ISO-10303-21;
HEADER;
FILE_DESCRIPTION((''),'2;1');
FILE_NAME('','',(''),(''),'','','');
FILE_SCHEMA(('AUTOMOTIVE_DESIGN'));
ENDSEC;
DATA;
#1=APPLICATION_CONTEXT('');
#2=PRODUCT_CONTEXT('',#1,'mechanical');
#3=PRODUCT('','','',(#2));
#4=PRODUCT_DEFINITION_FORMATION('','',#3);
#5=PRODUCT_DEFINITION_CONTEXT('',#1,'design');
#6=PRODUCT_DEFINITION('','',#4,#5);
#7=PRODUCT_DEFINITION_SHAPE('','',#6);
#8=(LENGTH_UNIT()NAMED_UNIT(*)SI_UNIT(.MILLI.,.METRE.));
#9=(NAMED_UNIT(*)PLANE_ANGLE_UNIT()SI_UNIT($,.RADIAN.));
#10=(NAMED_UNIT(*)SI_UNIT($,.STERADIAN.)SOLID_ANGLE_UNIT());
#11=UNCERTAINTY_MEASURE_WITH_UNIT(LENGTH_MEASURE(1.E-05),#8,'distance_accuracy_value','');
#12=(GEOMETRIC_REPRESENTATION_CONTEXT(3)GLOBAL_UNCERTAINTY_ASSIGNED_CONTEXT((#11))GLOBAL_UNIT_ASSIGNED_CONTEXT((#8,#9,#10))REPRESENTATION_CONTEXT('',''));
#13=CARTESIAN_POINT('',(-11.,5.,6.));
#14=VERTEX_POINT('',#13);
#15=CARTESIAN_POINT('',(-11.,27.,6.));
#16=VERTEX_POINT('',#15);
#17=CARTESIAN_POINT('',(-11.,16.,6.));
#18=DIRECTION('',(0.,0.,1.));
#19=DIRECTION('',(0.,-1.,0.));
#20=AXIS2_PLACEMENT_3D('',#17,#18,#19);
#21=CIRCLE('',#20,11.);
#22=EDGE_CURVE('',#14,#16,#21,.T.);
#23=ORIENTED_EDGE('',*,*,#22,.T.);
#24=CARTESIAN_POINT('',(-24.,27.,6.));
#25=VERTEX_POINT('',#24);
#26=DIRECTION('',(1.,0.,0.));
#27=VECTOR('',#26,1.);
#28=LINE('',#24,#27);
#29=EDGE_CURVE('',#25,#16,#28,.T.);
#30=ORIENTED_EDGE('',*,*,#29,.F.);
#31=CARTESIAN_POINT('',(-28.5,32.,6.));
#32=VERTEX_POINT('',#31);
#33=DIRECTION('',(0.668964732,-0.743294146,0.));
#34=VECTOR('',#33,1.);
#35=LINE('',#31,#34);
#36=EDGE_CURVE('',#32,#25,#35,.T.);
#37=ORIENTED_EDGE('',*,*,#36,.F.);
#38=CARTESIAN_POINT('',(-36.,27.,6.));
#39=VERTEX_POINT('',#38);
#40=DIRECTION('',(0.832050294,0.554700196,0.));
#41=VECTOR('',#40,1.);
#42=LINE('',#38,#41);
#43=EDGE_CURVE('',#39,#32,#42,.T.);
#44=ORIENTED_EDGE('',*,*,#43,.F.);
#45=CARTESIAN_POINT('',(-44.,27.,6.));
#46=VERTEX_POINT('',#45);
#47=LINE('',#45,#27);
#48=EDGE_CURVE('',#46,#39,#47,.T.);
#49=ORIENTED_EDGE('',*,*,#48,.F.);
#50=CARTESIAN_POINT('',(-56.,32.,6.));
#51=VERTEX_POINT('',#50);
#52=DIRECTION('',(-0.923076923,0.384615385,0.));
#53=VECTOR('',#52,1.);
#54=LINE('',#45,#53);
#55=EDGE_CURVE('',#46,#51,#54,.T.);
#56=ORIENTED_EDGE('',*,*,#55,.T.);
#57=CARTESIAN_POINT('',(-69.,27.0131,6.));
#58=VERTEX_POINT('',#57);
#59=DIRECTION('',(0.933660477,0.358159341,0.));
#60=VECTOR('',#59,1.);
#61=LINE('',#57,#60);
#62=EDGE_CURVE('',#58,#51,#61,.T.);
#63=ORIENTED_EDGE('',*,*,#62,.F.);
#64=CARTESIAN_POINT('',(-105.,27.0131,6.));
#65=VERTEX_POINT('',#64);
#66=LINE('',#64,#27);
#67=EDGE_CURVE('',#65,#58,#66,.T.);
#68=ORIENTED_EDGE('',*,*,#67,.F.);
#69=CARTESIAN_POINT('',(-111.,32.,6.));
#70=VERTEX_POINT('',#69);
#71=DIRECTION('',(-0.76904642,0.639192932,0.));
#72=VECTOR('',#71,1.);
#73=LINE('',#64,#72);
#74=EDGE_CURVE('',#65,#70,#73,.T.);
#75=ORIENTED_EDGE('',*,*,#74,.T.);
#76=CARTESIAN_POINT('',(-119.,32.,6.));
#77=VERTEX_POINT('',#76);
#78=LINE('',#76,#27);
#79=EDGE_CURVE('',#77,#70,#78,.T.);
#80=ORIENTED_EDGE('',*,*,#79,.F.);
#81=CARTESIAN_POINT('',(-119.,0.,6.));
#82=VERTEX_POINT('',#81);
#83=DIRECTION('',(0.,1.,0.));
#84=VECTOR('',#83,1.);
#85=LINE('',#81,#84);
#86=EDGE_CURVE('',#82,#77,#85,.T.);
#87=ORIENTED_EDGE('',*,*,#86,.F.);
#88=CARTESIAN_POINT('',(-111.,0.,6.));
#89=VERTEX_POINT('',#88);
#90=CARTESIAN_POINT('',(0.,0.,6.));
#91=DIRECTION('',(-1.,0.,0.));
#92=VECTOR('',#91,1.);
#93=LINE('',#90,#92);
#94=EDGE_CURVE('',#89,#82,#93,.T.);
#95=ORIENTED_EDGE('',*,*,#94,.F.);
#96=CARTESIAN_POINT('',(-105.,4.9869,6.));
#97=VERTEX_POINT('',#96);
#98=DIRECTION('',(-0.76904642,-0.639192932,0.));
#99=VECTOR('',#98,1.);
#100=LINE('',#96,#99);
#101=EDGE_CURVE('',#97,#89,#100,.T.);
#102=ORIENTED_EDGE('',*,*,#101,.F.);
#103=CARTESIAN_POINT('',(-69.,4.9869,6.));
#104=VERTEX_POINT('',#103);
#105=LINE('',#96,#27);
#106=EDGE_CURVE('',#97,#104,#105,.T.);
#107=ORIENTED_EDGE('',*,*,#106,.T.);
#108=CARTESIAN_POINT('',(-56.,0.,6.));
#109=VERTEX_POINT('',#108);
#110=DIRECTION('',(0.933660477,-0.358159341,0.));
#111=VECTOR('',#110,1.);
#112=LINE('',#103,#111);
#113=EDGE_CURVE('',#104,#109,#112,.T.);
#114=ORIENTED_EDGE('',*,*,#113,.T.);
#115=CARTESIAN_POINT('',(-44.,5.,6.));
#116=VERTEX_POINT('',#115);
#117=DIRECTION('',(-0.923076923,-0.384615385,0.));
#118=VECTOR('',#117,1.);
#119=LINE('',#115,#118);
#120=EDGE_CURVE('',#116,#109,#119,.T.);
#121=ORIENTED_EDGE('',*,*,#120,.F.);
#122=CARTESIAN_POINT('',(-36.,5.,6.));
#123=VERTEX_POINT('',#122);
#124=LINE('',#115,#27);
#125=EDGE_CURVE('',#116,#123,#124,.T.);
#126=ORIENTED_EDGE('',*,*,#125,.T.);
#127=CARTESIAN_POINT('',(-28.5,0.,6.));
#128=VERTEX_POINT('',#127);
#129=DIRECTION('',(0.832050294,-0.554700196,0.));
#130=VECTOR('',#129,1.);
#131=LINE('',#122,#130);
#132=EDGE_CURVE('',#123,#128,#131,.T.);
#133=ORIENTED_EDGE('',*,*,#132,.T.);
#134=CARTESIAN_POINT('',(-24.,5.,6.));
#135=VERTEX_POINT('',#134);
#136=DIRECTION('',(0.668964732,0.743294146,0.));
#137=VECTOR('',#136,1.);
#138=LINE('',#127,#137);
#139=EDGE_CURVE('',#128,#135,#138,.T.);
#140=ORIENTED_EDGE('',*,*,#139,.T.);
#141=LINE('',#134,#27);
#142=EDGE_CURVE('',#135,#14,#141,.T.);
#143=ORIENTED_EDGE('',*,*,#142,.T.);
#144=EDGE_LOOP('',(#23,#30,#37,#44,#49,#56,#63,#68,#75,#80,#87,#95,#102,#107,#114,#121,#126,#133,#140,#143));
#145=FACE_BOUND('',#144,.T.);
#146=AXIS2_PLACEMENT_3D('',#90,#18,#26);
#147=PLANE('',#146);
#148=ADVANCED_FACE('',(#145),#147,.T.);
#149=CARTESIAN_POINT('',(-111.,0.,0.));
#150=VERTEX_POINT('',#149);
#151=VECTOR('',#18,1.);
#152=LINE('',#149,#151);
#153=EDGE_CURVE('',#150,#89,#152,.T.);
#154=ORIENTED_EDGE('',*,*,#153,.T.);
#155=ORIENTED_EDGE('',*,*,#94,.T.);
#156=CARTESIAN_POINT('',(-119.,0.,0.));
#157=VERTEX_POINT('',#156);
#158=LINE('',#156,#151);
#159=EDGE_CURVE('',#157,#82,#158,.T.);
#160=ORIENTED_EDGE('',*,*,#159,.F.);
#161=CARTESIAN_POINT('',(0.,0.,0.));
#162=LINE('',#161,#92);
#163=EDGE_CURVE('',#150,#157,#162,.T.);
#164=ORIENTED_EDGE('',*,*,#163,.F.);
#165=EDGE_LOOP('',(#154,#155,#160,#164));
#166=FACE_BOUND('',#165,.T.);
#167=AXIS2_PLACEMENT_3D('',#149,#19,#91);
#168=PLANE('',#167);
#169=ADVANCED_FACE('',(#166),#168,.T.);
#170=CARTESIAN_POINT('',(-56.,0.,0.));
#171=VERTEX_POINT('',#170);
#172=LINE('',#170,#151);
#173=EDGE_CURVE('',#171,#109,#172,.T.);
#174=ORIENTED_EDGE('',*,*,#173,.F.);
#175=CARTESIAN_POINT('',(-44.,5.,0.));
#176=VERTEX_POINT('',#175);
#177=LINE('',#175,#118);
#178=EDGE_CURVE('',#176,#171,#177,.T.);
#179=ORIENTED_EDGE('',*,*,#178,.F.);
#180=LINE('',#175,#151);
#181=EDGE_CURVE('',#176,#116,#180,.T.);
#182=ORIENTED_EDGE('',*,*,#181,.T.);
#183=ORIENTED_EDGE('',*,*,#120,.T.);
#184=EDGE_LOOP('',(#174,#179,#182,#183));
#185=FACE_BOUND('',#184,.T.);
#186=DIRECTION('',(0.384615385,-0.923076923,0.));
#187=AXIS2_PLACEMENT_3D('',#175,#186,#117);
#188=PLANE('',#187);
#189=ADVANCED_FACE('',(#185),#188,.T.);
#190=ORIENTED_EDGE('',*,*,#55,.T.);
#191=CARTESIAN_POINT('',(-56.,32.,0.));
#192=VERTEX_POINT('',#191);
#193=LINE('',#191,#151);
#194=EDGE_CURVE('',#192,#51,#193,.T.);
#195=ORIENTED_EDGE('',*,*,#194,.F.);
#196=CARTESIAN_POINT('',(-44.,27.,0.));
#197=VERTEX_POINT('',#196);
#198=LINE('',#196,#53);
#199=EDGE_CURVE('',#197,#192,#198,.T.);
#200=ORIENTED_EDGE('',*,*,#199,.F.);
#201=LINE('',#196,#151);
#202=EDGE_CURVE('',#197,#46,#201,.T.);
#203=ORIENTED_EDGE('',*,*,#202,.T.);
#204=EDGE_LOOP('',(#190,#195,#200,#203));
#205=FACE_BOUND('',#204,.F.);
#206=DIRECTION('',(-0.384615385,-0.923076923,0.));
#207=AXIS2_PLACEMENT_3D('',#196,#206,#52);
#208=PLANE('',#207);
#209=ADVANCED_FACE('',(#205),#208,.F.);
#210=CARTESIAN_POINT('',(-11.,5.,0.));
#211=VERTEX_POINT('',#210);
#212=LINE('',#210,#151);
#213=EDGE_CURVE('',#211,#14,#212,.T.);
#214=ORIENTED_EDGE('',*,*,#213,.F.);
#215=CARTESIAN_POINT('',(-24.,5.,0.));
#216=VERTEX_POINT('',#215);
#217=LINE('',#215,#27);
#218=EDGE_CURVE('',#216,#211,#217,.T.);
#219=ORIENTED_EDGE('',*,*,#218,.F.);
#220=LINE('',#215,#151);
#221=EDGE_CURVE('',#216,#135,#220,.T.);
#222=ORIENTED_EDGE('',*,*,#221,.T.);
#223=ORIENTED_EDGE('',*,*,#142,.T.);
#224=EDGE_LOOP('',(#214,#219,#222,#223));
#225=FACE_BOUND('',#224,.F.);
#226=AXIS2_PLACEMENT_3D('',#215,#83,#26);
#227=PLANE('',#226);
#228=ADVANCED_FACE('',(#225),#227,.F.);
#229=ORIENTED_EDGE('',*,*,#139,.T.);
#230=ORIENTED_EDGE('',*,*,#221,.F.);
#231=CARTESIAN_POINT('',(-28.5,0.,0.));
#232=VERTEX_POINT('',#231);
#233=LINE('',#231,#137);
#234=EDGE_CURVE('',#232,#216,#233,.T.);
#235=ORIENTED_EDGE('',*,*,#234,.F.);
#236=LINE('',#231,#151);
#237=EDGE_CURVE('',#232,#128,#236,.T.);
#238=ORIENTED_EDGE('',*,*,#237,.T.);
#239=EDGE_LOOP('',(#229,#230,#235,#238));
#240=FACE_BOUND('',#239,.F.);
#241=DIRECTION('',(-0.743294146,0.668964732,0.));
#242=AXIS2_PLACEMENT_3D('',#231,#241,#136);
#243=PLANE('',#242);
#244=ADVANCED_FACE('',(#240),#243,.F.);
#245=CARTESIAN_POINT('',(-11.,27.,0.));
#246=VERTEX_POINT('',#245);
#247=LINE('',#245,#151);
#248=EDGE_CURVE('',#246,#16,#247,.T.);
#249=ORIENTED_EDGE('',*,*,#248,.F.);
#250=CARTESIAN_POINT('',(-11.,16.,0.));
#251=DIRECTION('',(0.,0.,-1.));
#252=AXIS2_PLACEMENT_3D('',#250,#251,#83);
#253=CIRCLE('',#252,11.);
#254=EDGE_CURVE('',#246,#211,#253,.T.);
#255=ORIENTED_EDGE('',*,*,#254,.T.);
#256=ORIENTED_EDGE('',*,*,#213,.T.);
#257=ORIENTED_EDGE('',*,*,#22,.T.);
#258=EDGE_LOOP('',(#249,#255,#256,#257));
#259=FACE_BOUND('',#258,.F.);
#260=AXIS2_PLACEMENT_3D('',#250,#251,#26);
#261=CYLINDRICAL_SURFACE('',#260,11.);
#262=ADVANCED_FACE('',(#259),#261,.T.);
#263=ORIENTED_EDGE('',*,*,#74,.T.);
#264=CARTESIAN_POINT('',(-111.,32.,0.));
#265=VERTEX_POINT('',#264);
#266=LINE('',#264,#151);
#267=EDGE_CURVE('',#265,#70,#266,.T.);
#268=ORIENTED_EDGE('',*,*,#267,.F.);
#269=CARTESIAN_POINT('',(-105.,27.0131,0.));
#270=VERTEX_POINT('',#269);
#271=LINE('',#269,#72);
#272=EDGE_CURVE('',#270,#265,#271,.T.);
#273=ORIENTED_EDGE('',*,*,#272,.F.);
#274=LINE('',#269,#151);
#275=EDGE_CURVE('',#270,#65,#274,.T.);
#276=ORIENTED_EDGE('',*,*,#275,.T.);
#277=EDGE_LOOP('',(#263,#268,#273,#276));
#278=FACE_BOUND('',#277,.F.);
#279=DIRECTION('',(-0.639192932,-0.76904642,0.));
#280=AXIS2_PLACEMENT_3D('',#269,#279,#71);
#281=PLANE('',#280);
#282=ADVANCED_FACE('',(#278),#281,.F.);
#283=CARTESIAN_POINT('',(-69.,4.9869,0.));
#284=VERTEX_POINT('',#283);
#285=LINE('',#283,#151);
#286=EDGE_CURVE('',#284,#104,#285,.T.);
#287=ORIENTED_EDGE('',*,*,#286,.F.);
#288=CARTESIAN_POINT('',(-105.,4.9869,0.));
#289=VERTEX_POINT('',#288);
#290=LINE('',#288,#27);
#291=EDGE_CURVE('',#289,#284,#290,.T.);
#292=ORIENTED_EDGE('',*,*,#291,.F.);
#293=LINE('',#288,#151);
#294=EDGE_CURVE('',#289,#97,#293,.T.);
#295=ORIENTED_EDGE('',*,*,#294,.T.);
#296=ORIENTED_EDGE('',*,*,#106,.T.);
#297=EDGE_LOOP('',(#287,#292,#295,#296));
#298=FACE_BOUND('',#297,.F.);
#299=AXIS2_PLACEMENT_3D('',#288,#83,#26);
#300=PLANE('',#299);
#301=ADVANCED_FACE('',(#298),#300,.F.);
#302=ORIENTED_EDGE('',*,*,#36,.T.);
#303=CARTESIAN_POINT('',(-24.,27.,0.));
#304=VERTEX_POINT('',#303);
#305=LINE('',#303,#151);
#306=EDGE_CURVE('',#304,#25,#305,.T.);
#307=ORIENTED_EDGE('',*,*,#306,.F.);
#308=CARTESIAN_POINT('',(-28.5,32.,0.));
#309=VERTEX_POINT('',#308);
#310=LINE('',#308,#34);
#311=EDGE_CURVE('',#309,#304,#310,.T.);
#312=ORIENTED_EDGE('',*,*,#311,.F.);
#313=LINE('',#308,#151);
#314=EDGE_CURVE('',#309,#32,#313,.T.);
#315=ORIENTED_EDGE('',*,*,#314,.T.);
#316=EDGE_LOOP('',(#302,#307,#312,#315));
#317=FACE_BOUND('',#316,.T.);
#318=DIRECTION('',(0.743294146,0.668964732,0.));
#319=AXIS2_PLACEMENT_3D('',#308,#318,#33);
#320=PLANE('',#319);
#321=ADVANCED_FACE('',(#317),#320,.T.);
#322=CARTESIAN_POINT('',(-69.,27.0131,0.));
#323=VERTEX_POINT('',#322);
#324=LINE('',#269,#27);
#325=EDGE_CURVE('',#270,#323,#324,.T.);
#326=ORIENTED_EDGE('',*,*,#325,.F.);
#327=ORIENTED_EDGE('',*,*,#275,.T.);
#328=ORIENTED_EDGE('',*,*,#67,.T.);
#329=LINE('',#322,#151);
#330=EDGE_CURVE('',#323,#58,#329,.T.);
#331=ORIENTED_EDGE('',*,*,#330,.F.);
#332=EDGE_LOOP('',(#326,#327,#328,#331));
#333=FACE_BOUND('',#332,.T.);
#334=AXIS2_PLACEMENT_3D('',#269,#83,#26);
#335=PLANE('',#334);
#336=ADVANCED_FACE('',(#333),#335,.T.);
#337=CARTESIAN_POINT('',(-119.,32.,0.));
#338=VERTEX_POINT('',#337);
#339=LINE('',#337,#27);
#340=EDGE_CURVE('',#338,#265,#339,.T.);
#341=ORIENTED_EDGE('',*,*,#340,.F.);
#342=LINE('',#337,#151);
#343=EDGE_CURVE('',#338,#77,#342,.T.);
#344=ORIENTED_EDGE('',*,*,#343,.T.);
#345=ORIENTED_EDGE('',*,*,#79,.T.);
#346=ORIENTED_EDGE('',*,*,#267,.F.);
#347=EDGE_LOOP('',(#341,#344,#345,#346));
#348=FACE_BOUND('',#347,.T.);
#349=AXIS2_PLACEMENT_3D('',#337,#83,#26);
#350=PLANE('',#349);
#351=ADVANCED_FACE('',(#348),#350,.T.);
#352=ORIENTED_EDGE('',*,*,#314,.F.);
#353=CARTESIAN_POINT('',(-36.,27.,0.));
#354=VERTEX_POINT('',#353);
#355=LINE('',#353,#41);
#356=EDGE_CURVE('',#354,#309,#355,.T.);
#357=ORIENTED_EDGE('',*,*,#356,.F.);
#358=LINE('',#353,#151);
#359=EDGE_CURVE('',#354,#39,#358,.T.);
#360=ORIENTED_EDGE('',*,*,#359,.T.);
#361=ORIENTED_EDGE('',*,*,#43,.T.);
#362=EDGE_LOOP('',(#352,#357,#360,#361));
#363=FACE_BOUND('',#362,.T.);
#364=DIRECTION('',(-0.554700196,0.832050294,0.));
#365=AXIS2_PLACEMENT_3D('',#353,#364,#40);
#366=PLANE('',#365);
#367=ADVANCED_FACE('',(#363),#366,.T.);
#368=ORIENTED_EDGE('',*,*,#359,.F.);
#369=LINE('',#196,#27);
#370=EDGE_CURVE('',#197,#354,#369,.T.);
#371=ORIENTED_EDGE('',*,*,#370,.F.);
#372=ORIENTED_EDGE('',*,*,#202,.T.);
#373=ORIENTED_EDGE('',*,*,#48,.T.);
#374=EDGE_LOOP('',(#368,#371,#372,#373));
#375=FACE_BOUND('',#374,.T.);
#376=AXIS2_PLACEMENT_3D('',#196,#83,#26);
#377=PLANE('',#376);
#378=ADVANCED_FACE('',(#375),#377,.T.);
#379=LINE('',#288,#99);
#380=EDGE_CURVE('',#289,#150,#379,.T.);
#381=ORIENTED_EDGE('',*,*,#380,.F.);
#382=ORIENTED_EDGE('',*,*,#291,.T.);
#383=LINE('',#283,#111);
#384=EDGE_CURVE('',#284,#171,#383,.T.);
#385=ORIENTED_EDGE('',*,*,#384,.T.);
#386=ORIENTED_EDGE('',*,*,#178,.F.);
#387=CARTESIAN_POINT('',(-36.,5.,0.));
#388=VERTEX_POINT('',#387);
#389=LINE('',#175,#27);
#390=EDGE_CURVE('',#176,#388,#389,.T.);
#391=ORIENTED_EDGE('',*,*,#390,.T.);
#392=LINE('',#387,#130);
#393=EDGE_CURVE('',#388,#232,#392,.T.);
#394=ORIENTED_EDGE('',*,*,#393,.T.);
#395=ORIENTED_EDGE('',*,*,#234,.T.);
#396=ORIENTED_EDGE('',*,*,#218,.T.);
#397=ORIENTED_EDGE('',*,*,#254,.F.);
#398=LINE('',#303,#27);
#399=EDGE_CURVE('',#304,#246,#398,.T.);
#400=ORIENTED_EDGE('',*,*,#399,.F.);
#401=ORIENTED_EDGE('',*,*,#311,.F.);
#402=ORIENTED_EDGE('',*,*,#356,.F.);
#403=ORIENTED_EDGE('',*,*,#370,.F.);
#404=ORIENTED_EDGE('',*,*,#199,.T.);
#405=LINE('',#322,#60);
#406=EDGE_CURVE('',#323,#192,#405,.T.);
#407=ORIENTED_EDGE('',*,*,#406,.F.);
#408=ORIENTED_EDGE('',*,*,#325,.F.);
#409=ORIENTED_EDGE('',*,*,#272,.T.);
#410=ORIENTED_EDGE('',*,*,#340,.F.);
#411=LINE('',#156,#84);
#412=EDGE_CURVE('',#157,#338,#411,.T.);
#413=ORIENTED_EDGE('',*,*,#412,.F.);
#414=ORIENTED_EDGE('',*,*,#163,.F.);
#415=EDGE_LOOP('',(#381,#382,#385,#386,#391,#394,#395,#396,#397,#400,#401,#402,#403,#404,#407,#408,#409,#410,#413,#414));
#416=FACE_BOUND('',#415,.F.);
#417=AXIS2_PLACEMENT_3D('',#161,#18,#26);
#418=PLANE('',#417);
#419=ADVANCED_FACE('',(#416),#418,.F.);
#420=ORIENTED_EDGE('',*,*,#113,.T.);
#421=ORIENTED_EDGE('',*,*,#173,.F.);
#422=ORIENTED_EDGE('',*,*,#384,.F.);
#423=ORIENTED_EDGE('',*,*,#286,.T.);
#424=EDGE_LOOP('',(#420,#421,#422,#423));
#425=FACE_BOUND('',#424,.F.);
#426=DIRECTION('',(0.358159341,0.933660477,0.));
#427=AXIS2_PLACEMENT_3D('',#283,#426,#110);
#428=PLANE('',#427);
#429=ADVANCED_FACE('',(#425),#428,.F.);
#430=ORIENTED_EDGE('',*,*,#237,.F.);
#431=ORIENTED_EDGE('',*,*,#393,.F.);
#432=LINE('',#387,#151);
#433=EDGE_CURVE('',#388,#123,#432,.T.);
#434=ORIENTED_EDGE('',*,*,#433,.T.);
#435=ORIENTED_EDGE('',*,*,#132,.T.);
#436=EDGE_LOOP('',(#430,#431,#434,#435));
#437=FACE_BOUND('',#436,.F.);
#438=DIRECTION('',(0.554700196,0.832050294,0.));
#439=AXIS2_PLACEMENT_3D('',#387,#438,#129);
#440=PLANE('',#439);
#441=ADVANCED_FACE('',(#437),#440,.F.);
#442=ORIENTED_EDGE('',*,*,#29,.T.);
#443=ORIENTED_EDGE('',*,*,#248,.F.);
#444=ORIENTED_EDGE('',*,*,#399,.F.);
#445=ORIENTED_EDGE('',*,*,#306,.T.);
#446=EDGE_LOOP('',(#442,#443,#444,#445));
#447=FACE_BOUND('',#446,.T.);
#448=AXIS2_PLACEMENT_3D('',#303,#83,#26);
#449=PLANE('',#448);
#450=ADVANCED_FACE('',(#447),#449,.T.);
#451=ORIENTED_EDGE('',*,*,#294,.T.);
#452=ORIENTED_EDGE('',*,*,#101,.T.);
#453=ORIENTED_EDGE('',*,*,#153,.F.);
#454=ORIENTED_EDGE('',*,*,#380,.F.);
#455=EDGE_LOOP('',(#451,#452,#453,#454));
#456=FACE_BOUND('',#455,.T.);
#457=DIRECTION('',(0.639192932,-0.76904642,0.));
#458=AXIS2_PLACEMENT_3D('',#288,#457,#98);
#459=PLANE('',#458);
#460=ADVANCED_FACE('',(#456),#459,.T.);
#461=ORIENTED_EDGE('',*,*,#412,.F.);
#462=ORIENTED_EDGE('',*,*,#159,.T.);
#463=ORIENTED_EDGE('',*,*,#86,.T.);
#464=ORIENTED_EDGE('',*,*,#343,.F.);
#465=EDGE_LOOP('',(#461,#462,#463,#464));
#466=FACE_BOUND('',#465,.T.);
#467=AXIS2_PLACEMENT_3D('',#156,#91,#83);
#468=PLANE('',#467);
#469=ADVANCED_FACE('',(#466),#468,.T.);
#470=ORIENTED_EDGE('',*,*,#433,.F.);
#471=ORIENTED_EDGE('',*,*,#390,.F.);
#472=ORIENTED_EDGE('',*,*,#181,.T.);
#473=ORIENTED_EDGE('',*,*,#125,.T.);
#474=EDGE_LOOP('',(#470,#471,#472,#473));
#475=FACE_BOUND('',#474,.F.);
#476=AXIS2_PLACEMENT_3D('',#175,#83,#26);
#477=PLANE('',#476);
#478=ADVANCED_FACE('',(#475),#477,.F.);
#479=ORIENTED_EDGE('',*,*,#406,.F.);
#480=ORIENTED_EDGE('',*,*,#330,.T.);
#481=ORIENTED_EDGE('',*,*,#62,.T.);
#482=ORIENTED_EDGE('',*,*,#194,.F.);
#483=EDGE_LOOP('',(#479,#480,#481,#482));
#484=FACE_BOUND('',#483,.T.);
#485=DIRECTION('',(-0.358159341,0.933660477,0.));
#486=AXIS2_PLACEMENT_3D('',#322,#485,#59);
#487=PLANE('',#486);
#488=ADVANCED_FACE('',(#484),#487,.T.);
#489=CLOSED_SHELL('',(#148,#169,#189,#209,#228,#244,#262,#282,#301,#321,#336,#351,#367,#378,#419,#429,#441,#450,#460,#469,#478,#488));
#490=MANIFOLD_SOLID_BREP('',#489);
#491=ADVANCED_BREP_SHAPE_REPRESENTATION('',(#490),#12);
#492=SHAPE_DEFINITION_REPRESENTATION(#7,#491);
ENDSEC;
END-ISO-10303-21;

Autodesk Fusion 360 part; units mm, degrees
sketch "Sketch1" plane through (0, 0, 0) normal (0, 0, 1) x (1, 0, 0)
  line L0 (0, 0) -> (-119, 0)
  line L1 (-119, 0) -> (-119, 32)
  line L2 (-119, 32) -> (0, 32)
  line L3 (0, 32) -> (0, 0)
  line L4 (-105, 27.0131) -> (-111, 32)
  line L5 (-105, 27.0131) -> (-69, 27.0131)
  line L6 (-69, 27.0131) -> (-56, 32)
  line L7 (-105, 4.9869) -> (-69, 4.9869)
  line L8 (-105, 4.9869) -> (-111, 0)
  line L9 (-69, 4.9869) -> (-56, 0)
  line L10 (-44, 27) -> (-36, 27)
  line L11 (-44, 27) -> (-56, 32)
  line L12 (-36, 27) -> (-28.5, 32)
  line L13 (-28.5, 32) -> (-24, 27)
  line L14 (-24, 27) -> (0, 27)
  line L15 (-24, 5) -> (0, 5)
  line L16 (-28.5, 0) -> (-24, 5)
  line L17 (-36, 5) -> (-28.5, 0)
  line L18 (-44, 5) -> (-36, 5)
  line L19 (-44, 5) -> (-56, 0)
  circle A0 centre (-11, 16) radius 11
  dimension "d1" = 119
  dimension "d2" = 32
  dimension "d5" = 8
  dimension "d14" = 14
  dimension "d16" = 36
  dimension "d17" = 63
  dimension "d18" = 8
  dimension "d19" = 25
  dimension "d21" = 12
extrude "Extrude1" add sketch "Sketch1" along normal blind 6 contours L0 L1 L2 L4 L5 L6 L7 L8 L9 L10 L11 L12 L13 L14 L15 L16 L17 L18 L19 A0 | A0
equation "d16 = 50 mm - 14 mm"
